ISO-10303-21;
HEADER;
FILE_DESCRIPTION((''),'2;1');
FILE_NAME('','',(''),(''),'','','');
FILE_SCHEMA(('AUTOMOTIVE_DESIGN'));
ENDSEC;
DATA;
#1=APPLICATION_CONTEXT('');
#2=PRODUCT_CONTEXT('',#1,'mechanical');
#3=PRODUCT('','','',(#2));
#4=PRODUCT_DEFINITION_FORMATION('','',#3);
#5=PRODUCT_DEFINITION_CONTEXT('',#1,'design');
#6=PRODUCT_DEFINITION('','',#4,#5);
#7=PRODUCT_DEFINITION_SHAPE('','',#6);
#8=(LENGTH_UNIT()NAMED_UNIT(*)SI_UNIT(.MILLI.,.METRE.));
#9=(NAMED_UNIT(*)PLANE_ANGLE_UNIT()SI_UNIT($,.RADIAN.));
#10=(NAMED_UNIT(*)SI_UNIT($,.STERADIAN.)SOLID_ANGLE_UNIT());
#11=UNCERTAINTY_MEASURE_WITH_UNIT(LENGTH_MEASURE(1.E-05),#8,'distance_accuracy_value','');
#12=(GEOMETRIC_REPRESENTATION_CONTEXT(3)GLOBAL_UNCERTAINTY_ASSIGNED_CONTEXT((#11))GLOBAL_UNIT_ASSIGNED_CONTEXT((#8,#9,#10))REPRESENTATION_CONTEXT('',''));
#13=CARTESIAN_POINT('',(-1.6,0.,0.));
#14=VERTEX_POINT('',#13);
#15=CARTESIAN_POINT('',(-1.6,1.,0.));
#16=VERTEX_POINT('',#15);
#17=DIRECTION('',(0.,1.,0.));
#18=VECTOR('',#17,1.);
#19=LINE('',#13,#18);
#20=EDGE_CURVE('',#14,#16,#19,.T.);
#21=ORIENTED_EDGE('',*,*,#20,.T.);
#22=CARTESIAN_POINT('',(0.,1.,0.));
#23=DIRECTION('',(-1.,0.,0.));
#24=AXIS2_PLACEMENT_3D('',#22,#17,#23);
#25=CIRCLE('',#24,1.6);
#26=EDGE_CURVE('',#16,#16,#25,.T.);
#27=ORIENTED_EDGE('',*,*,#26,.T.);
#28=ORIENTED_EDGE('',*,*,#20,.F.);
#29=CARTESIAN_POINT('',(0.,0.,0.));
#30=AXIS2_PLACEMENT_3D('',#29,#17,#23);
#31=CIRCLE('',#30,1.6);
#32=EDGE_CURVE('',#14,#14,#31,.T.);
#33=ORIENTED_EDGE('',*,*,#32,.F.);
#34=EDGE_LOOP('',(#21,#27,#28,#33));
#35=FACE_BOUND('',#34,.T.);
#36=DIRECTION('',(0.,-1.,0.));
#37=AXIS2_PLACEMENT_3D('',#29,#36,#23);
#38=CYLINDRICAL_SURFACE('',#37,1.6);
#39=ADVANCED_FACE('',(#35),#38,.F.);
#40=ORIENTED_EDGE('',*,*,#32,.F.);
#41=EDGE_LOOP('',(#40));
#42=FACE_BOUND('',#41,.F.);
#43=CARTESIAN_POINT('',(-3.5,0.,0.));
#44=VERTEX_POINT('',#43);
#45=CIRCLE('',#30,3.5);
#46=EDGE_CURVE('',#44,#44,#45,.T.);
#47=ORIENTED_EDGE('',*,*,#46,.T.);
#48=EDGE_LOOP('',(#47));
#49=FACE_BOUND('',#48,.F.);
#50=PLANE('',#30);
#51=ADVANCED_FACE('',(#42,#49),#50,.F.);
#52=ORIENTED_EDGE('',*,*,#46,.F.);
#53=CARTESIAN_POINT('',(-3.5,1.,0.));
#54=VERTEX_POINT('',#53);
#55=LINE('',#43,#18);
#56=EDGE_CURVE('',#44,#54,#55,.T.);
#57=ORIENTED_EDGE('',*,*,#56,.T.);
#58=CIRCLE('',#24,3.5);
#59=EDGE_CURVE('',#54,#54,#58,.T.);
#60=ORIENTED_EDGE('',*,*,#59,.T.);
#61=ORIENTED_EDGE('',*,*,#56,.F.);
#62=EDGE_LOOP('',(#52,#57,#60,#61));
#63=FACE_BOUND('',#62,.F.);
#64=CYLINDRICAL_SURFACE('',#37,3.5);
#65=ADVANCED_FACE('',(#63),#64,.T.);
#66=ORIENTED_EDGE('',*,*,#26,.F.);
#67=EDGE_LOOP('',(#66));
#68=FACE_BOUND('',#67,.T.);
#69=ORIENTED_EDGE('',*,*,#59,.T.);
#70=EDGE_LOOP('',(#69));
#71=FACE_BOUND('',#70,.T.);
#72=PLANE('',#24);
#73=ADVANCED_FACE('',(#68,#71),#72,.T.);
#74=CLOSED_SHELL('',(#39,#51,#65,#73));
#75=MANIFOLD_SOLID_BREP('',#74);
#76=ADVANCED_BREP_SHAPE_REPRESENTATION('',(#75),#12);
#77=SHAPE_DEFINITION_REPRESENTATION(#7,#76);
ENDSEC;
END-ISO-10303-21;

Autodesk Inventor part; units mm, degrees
ref_plane "YZ Plane" through (0, 0, 0) normal (1, 0, 0) x (0, 1, 0)
ref_plane "XZ Plane" through (0, 0, 0) normal (0, 1, 0) x (-1, 0, 0)
ref_plane "XY Plane" through (0, 0, 0) normal (0, 0, 1) x (1, 0, 0)
sketch "Sketch1" plane through (0, 0, 0) normal (0, 1, 0) x (-1, 0, 0)
  circle A0 centre (0, 0) radius 3.5
  circle A1 centre (0, 0) radius 1.6
  dimension "d0" = 7
  dimension "d1" = 3.2
extrude "Extrusion1" add sketch "Sketch1" along normal blind 1
properties part number "Tensioner_Spacer"
